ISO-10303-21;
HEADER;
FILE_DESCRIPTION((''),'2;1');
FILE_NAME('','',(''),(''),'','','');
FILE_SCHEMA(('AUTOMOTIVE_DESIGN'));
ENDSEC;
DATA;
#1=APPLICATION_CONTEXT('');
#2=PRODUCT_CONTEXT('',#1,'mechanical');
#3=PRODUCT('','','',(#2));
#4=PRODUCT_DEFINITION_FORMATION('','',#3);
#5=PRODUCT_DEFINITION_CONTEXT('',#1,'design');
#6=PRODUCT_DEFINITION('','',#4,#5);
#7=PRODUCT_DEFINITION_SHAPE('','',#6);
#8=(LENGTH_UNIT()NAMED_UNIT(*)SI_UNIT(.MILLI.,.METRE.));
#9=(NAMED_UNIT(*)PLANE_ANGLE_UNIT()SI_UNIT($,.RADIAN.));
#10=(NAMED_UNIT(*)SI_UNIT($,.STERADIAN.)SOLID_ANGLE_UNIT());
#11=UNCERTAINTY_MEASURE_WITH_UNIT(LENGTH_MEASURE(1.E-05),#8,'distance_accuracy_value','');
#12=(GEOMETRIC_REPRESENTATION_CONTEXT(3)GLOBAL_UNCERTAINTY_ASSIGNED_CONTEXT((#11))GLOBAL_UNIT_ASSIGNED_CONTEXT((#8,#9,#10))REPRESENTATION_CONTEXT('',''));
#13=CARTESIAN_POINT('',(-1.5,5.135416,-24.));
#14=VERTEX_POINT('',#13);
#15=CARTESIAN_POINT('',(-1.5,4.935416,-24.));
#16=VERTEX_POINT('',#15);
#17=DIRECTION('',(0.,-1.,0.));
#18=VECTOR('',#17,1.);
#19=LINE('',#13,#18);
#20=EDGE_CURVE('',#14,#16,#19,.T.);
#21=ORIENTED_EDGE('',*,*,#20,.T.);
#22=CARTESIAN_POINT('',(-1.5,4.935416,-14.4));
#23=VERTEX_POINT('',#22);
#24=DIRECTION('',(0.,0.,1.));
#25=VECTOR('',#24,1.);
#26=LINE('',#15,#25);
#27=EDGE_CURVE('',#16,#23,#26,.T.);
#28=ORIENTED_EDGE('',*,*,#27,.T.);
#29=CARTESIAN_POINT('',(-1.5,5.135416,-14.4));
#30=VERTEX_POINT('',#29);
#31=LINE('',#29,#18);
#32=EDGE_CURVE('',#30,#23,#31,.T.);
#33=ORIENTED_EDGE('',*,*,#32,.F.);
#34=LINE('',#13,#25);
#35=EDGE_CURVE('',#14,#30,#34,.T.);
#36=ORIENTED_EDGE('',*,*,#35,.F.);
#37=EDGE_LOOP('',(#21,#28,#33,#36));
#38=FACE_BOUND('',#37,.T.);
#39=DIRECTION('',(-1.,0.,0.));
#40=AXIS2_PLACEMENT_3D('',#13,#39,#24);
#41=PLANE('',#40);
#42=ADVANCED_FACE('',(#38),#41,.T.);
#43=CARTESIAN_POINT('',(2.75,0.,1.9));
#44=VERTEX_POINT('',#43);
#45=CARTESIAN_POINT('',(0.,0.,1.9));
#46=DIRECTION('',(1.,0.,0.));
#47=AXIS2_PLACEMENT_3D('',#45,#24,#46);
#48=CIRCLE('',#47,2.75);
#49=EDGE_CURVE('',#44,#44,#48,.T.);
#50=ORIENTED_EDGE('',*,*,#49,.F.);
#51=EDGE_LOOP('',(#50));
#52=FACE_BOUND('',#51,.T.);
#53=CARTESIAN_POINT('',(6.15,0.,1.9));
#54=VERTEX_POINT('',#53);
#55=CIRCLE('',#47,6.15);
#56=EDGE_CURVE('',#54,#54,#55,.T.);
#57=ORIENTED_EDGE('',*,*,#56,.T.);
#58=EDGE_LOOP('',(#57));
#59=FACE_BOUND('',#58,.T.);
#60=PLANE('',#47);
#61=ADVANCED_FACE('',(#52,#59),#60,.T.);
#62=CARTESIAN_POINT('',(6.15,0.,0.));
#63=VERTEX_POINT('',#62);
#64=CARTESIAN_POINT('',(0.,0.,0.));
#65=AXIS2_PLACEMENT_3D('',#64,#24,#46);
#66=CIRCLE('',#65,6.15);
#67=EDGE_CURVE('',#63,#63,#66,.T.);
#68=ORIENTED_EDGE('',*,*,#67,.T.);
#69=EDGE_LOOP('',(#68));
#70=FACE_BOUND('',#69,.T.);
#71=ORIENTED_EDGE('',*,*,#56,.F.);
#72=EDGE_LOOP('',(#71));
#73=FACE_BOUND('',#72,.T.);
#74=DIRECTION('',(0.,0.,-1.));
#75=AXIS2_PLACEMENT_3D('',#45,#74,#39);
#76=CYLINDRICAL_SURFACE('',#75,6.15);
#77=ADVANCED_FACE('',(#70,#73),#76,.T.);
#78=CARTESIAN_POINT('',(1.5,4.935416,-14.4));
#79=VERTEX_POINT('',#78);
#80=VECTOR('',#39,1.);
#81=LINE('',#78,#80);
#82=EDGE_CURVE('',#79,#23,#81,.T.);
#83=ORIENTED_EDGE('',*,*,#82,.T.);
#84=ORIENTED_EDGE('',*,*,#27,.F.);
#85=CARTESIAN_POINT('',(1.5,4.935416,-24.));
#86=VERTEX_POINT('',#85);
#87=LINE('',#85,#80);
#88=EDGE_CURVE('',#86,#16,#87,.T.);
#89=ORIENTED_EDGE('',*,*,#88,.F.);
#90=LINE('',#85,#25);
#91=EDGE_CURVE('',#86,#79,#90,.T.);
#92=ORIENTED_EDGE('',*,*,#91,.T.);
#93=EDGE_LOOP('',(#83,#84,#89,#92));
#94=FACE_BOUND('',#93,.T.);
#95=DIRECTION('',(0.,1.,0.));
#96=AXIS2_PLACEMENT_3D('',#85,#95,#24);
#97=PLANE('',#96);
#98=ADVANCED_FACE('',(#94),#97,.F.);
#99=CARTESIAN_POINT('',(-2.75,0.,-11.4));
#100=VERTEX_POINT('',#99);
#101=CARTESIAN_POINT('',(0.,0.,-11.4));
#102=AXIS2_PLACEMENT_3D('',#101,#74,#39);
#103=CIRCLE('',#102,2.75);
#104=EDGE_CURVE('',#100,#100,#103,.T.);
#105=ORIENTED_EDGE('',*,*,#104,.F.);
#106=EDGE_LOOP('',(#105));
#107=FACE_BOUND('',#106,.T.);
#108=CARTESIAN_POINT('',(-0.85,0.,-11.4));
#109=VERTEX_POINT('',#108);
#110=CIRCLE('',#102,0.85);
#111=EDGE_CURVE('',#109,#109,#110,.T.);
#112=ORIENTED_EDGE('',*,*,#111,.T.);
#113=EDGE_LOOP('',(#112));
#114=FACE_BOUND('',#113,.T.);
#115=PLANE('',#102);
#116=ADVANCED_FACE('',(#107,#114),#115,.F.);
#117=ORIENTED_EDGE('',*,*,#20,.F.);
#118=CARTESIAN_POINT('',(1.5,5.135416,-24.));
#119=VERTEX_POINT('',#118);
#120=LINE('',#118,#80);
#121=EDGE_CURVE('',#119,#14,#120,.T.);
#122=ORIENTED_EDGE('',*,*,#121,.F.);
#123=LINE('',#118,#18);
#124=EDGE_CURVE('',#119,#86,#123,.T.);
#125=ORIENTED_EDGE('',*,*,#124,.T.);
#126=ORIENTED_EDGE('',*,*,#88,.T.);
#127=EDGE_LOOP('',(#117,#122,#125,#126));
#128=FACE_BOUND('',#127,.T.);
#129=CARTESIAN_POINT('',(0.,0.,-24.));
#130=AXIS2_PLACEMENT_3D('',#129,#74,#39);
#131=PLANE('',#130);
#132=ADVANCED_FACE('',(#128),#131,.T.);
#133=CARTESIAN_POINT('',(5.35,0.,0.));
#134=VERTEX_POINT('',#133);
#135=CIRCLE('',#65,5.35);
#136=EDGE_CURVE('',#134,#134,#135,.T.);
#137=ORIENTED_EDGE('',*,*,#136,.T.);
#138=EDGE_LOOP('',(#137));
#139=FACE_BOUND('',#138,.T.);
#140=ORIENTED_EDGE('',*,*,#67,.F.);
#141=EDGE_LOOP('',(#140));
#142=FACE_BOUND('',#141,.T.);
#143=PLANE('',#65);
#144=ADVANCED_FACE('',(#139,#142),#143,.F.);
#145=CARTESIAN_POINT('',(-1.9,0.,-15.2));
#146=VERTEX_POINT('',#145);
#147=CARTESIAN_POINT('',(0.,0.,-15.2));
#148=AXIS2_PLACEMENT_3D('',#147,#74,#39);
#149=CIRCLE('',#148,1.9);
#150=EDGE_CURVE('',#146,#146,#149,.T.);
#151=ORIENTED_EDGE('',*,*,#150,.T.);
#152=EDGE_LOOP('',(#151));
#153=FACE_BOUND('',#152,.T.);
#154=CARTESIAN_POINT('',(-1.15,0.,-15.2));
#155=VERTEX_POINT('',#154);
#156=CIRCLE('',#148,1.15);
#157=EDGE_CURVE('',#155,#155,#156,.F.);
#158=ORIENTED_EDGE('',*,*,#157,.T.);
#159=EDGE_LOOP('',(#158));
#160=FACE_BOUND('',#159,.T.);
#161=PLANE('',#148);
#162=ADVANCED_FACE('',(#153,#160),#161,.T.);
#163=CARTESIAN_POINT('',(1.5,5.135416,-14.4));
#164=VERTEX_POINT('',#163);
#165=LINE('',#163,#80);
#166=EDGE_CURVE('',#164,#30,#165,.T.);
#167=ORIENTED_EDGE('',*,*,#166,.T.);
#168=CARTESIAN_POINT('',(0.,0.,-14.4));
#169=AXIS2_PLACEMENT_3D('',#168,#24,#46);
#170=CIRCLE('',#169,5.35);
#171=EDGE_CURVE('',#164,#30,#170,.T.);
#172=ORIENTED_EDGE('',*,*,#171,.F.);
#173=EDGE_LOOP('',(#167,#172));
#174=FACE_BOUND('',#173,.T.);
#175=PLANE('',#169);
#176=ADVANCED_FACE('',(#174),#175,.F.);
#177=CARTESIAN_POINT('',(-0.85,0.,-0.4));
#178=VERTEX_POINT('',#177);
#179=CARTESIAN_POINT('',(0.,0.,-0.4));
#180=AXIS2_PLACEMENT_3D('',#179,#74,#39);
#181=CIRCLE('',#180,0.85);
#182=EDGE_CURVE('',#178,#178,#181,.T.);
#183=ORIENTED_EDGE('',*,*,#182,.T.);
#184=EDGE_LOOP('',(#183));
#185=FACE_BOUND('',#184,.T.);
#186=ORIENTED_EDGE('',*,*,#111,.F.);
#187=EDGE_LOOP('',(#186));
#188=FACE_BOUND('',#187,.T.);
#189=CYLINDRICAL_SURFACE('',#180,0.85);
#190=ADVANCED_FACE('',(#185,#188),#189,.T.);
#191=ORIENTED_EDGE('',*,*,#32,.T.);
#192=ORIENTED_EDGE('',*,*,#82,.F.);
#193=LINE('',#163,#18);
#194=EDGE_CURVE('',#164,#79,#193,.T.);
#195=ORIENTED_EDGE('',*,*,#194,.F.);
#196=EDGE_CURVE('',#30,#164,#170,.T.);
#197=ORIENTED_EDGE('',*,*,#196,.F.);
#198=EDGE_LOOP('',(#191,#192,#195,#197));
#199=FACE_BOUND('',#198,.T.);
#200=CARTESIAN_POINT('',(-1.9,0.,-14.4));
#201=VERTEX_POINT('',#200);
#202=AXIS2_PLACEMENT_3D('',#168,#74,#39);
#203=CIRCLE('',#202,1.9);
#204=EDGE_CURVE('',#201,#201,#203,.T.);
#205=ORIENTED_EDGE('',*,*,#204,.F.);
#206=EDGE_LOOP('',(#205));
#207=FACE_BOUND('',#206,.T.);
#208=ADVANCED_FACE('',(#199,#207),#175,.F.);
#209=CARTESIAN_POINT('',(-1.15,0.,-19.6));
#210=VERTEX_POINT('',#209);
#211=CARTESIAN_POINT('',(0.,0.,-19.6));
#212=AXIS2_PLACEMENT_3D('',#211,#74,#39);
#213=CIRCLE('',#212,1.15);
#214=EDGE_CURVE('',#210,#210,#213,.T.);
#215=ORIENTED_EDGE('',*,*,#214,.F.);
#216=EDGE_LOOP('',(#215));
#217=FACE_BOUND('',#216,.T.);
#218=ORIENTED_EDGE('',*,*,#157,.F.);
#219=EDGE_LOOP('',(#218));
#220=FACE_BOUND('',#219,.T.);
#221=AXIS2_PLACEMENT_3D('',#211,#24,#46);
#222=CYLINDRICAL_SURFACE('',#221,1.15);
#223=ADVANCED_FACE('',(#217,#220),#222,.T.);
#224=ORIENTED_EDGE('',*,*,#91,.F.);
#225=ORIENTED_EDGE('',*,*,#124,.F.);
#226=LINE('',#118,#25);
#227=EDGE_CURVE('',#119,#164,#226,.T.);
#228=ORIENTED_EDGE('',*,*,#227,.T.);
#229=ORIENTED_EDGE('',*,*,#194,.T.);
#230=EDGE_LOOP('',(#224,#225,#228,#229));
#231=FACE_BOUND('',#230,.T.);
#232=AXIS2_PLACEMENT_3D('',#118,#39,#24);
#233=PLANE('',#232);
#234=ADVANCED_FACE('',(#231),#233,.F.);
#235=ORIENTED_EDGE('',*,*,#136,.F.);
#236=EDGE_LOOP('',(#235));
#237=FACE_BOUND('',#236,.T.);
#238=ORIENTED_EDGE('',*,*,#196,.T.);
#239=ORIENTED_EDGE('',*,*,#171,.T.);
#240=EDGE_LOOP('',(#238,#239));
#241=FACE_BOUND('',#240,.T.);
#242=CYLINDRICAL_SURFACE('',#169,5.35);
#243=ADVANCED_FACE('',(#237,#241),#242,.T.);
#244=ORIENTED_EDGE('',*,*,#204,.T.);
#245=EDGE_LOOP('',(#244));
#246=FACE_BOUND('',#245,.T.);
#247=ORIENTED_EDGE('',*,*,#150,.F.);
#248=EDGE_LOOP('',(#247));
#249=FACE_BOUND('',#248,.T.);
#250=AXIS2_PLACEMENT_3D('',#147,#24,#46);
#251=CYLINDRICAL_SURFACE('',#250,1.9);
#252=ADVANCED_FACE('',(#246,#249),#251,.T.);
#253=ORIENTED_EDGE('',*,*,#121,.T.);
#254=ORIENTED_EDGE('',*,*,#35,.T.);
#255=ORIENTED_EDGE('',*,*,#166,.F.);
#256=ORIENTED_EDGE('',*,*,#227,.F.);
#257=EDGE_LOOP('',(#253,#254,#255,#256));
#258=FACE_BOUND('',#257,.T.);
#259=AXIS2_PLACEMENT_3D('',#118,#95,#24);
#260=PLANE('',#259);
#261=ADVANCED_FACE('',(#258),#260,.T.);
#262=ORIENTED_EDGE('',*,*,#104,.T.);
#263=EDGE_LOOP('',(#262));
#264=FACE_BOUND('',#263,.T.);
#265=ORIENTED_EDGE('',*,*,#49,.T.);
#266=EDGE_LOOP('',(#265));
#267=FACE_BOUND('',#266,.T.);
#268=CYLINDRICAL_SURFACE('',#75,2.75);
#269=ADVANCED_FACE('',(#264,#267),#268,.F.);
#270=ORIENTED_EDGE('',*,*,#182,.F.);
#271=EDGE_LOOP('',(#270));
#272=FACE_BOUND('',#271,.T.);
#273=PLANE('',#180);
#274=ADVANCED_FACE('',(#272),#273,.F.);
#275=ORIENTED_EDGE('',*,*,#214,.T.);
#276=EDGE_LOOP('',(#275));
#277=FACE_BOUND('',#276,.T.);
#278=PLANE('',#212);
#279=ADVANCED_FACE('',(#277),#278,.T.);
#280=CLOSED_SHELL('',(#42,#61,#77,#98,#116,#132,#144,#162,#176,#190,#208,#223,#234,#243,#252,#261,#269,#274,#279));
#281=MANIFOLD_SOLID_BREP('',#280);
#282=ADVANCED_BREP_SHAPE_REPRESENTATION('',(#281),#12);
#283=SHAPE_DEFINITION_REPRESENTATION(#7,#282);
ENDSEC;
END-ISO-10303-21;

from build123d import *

# Parameters (mm, degrees)
SKETCH1_R           = 6.15
SKETCH1_R_2         = 2.75
BOSS_EXTRUDE1_DEPTH = 1.9
BOSS_EXTRUDE2_START = -14.4
SKETCH1_3_R         = 5.35
SKETCH1_3_R_2       = 2.75
BOSS_EXTRUDE2_DEPTH = 14.4
SKETCH2_R           = 2.75
BOSS_EXTRUDE3_DEPTH = 3
SKETCH2_3_R         = 1.9
BOSS_EXTRUDE4_DEPTH = 0.8
SKETCH2_5_R         = 0.85
BOSS_EXTRUDE5_DEPTH = 14
SKETCH2_6_R         = 1.15
BOSS_EXTRUDE6_DEPTH = 5.2
SKETCH2_7_W         = 3
SKETCH2_7_H         = 0.2
BOSS_EXTRUDE7_DEPTH = 9.6


with BuildPart() as part:
    # Sketch1 → Boss-Extrude1 (new body)
    with BuildSketch(Plane.XY):
        Circle(SKETCH1_R)
        Circle(SKETCH1_R_2, mode=Mode.SUBTRACT)
    extrude(amount=BOSS_EXTRUDE1_DEPTH)

    # Sketch1<3> → Boss-Extrude2 (add)
    with BuildSketch(Plane.XY.offset(BOSS_EXTRUDE2_START)):
        Circle(SKETCH1_3_R)
        Circle(SKETCH1_3_R_2, mode=Mode.SUBTRACT)
    extrude(amount=BOSS_EXTRUDE2_DEPTH)

    # Sketch2 → Boss-Extrude3 (add)
    with BuildSketch(Plane(origin=(0, 0, -14.4), x_dir=(-1, 0, 0), z_dir=(0, 0, -1))):
        Circle(SKETCH2_R)
    extrude(amount=-BOSS_EXTRUDE3_DEPTH)

    # Sketch2<3> → Boss-Extrude4 (add)
    with BuildSketch(Plane(origin=(0, 0, -14.4), x_dir=(-1, 0, 0), z_dir=(0, 0, -1))):
        Circle(SKETCH2_3_R)
    extrude(amount=BOSS_EXTRUDE4_DEPTH)

    # Sketch2<5> → Boss-Extrude5 (add)
    with BuildSketch(Plane(origin=(0, 0, -14.4), x_dir=(-1, 0, 0), z_dir=(0, 0, -1))):
        Circle(SKETCH2_5_R)
    extrude(amount=-BOSS_EXTRUDE5_DEPTH)

    # Sketch2<6> → Boss-Extrude6 (add)
    with BuildSketch(Plane(origin=(0, 0, -14.4), x_dir=(-1, 0, 0), z_dir=(0, 0, -1))):
        Circle(SKETCH2_6_R)
    extrude(amount=BOSS_EXTRUDE6_DEPTH)

    # Sketch2<7> → Boss-Extrude7 (add)
    with BuildSketch(Plane(origin=(0, 0, -14.4), x_dir=(-1, 0, 0), z_dir=(0, 0, -1))):
        with Locations((0, 5.035416244)):
            Rectangle(SKETCH2_7_W, SKETCH2_7_H)
    extrude(amount=BOSS_EXTRUDE7_DEPTH)


solid = part.part
